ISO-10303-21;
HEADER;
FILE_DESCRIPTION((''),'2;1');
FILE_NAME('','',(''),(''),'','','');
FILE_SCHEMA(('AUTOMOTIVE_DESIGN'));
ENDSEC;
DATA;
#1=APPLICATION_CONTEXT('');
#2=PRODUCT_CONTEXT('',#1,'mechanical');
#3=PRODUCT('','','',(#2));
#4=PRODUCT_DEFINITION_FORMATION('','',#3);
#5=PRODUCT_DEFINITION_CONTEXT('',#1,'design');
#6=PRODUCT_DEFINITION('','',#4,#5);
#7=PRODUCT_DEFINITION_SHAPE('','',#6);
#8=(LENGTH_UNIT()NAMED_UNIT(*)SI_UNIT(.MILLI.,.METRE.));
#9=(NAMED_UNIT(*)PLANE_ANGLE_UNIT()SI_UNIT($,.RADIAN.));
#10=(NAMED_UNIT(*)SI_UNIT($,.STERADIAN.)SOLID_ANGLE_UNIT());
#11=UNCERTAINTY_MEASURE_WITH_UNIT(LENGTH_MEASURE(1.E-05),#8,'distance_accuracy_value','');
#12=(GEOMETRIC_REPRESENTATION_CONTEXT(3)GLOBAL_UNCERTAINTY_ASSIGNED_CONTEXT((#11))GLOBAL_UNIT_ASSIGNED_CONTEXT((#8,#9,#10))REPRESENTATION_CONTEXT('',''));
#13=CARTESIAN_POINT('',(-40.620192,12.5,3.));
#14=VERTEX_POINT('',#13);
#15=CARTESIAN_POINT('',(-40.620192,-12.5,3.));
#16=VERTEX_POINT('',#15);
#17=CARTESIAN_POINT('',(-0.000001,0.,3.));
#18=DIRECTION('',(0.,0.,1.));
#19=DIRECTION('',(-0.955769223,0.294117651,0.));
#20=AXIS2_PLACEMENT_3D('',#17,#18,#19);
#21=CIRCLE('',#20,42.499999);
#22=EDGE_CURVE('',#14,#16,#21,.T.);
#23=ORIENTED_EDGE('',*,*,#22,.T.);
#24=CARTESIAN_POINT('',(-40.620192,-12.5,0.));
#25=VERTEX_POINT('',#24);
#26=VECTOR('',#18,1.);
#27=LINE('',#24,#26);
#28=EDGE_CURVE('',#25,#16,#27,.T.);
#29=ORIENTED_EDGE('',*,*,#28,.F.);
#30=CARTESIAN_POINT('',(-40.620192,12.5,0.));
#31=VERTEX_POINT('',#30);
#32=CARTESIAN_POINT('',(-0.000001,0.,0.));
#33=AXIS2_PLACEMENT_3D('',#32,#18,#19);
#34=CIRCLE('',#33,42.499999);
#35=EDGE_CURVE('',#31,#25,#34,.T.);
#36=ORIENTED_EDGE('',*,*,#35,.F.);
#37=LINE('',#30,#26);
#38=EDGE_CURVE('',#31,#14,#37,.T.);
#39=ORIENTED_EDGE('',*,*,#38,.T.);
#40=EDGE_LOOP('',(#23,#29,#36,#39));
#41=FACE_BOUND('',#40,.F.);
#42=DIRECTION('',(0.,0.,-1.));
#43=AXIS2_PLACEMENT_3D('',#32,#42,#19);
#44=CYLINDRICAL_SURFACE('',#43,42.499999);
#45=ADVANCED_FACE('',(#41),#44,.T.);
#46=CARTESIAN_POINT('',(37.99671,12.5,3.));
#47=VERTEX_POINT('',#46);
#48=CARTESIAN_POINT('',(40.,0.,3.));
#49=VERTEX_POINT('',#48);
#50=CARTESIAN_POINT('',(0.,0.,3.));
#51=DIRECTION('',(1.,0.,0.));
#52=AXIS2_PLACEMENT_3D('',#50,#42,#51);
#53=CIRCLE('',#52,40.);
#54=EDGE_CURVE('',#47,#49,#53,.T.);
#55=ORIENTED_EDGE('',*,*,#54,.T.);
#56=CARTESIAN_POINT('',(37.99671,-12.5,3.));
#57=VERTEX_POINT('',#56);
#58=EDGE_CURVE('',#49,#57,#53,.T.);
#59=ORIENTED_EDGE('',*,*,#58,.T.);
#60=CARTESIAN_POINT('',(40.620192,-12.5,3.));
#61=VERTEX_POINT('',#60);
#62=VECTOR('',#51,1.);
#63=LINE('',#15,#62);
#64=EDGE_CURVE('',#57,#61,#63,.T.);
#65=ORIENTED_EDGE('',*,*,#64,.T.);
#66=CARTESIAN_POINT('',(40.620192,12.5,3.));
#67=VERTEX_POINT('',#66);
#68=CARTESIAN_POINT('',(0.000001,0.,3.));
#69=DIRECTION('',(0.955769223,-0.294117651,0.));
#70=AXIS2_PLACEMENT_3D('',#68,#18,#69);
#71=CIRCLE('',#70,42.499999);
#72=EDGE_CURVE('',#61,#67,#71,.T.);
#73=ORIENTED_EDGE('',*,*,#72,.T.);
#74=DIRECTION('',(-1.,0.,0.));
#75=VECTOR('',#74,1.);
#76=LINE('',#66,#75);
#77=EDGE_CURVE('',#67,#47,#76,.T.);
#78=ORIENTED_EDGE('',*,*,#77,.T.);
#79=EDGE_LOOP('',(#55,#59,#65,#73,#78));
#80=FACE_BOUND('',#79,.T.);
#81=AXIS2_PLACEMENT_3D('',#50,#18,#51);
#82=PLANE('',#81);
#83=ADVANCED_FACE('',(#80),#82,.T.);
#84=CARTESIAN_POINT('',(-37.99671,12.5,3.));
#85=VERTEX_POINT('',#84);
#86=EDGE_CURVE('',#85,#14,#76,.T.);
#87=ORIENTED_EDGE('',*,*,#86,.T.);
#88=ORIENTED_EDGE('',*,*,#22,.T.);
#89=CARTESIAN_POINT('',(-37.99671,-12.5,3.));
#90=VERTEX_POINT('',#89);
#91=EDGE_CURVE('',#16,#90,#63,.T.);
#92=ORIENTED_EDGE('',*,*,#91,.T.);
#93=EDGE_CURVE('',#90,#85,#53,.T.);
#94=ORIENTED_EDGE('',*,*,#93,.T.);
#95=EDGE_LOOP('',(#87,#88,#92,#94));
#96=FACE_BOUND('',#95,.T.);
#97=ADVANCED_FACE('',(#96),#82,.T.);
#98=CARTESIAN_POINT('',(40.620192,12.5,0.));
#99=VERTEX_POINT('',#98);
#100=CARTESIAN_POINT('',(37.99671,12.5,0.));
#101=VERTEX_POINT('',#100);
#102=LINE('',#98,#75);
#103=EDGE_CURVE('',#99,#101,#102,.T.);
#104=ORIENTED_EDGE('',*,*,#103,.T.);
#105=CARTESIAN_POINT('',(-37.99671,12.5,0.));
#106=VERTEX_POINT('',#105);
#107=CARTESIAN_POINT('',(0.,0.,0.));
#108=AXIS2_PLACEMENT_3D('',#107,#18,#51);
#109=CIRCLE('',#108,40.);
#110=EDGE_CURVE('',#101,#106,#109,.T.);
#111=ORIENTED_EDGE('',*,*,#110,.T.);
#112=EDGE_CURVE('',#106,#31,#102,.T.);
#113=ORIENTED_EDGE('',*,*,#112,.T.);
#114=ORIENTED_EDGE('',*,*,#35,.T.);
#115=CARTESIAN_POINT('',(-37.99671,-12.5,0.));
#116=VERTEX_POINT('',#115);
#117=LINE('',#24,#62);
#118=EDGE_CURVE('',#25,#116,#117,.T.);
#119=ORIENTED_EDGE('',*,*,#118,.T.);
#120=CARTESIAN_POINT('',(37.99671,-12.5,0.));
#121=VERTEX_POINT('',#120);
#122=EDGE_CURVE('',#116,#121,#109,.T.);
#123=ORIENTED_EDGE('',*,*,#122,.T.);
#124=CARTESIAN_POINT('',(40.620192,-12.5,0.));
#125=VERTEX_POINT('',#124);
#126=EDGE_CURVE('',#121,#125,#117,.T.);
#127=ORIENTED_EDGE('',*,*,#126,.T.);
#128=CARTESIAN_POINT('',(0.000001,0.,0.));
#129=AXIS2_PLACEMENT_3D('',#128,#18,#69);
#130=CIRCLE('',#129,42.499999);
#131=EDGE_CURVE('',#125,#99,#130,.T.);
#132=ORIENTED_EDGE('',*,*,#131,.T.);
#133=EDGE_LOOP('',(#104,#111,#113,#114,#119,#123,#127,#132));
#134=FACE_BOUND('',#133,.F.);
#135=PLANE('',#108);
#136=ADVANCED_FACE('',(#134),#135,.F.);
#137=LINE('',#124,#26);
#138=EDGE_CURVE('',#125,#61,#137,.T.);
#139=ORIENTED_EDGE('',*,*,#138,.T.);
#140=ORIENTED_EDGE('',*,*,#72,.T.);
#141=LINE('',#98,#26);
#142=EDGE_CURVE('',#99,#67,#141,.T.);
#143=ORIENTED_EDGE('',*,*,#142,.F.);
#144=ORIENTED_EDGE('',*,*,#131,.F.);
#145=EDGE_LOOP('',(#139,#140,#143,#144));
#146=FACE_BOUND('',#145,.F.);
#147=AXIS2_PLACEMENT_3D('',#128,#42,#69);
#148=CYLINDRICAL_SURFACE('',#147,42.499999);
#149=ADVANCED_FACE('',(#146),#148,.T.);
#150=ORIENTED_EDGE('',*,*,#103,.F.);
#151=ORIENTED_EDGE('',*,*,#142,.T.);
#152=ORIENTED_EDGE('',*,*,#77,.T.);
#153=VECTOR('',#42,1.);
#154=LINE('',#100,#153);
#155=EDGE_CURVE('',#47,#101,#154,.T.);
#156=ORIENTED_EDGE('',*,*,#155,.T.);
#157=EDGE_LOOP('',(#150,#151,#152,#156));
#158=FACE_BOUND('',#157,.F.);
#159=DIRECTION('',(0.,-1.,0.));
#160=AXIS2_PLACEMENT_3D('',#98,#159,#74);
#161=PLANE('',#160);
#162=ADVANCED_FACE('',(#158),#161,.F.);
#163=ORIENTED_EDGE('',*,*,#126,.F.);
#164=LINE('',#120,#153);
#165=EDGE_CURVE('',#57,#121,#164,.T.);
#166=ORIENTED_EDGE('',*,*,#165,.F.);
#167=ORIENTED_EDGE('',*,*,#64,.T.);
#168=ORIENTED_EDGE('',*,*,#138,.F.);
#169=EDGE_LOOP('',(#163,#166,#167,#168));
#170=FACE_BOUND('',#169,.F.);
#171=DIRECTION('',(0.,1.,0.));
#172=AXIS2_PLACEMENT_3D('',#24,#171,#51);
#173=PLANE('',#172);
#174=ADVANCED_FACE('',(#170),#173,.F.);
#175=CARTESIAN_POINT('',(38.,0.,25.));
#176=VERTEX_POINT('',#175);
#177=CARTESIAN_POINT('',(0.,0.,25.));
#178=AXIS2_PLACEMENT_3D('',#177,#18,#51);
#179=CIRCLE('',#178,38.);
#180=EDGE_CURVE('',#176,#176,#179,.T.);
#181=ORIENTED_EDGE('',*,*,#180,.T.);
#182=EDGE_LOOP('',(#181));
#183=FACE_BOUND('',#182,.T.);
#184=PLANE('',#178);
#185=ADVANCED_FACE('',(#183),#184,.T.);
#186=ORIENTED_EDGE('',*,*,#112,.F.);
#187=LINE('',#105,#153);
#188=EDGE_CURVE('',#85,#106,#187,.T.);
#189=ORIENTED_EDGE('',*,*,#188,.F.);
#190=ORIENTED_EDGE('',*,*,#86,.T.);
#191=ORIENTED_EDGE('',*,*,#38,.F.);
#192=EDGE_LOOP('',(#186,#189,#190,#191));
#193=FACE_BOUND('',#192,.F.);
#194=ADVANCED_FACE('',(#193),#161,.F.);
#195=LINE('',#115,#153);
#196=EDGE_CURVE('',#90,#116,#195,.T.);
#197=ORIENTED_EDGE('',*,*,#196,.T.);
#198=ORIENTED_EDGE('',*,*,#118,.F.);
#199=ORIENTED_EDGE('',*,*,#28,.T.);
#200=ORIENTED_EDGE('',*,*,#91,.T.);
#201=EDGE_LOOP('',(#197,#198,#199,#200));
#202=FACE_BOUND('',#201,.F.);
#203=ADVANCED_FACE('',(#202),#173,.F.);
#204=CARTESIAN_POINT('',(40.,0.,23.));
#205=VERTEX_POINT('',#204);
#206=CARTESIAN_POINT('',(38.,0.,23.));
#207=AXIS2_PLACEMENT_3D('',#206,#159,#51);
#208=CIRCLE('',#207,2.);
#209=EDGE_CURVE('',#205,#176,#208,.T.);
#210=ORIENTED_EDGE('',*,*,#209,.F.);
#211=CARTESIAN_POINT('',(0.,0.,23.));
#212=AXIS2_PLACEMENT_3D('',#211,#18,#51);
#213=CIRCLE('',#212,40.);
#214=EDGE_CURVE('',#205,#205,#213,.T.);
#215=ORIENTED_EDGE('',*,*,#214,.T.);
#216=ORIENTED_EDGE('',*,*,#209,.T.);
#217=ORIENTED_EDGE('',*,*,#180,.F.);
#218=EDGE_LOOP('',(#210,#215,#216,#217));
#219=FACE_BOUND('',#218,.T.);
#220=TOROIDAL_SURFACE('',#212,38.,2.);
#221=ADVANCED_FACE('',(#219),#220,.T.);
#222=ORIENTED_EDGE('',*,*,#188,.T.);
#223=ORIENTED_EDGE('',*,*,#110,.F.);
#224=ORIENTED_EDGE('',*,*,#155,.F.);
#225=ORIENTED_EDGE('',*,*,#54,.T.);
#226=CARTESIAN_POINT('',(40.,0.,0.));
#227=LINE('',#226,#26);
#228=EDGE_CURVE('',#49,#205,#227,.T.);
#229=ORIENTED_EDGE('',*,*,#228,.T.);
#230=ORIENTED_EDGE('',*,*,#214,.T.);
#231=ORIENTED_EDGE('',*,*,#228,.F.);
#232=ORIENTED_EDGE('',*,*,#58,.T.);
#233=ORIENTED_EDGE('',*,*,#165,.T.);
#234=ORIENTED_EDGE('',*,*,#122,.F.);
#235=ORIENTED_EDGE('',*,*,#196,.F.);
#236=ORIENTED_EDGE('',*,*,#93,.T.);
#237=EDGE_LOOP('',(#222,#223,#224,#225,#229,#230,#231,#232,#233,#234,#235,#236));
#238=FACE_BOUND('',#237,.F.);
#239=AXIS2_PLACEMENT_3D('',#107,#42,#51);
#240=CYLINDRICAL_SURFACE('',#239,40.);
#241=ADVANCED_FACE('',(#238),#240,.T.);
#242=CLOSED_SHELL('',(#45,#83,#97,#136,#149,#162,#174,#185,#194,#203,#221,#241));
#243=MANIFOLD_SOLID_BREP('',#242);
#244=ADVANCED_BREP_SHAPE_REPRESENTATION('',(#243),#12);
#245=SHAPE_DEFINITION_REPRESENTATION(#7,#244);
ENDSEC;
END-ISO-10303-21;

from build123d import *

# Parameters (mm, degrees)
F1_R     = 40
F2_DEPTH = 25
F4_DEPTH = 3
F5_R     = 2


with BuildPart() as f2:
    # F1 (on face) → F2 (new body)
    with BuildSketch(Plane.XY):
        Circle(F1_R)
    extrude(amount=F2_DEPTH)

    # F3 (on face) → F4 (join)
    with BuildSketch(Plane.XY):
        with BuildLine():
            Line((-40.620192, -12.5), (40.620192, -12.5))
            ThreePointArc((40.620192, -12.5), (42.5, 0), (40.620192, 12.5))
            Line((40.620192, 12.5), (-40.620192, 12.5))
            ThreePointArc((-40.620192, 12.5), (-42.5, 0), (-40.620192, -12.5))
        make_face()
    extrude(amount=F4_DEPTH)

    # F5
    f5_edges = [f2.edges().sort_by_distance(p)[0] for p in [
        (-40, 0, 25),
    ]]
    fillet(f5_edges, radius=F5_R)


solid = f2.part
